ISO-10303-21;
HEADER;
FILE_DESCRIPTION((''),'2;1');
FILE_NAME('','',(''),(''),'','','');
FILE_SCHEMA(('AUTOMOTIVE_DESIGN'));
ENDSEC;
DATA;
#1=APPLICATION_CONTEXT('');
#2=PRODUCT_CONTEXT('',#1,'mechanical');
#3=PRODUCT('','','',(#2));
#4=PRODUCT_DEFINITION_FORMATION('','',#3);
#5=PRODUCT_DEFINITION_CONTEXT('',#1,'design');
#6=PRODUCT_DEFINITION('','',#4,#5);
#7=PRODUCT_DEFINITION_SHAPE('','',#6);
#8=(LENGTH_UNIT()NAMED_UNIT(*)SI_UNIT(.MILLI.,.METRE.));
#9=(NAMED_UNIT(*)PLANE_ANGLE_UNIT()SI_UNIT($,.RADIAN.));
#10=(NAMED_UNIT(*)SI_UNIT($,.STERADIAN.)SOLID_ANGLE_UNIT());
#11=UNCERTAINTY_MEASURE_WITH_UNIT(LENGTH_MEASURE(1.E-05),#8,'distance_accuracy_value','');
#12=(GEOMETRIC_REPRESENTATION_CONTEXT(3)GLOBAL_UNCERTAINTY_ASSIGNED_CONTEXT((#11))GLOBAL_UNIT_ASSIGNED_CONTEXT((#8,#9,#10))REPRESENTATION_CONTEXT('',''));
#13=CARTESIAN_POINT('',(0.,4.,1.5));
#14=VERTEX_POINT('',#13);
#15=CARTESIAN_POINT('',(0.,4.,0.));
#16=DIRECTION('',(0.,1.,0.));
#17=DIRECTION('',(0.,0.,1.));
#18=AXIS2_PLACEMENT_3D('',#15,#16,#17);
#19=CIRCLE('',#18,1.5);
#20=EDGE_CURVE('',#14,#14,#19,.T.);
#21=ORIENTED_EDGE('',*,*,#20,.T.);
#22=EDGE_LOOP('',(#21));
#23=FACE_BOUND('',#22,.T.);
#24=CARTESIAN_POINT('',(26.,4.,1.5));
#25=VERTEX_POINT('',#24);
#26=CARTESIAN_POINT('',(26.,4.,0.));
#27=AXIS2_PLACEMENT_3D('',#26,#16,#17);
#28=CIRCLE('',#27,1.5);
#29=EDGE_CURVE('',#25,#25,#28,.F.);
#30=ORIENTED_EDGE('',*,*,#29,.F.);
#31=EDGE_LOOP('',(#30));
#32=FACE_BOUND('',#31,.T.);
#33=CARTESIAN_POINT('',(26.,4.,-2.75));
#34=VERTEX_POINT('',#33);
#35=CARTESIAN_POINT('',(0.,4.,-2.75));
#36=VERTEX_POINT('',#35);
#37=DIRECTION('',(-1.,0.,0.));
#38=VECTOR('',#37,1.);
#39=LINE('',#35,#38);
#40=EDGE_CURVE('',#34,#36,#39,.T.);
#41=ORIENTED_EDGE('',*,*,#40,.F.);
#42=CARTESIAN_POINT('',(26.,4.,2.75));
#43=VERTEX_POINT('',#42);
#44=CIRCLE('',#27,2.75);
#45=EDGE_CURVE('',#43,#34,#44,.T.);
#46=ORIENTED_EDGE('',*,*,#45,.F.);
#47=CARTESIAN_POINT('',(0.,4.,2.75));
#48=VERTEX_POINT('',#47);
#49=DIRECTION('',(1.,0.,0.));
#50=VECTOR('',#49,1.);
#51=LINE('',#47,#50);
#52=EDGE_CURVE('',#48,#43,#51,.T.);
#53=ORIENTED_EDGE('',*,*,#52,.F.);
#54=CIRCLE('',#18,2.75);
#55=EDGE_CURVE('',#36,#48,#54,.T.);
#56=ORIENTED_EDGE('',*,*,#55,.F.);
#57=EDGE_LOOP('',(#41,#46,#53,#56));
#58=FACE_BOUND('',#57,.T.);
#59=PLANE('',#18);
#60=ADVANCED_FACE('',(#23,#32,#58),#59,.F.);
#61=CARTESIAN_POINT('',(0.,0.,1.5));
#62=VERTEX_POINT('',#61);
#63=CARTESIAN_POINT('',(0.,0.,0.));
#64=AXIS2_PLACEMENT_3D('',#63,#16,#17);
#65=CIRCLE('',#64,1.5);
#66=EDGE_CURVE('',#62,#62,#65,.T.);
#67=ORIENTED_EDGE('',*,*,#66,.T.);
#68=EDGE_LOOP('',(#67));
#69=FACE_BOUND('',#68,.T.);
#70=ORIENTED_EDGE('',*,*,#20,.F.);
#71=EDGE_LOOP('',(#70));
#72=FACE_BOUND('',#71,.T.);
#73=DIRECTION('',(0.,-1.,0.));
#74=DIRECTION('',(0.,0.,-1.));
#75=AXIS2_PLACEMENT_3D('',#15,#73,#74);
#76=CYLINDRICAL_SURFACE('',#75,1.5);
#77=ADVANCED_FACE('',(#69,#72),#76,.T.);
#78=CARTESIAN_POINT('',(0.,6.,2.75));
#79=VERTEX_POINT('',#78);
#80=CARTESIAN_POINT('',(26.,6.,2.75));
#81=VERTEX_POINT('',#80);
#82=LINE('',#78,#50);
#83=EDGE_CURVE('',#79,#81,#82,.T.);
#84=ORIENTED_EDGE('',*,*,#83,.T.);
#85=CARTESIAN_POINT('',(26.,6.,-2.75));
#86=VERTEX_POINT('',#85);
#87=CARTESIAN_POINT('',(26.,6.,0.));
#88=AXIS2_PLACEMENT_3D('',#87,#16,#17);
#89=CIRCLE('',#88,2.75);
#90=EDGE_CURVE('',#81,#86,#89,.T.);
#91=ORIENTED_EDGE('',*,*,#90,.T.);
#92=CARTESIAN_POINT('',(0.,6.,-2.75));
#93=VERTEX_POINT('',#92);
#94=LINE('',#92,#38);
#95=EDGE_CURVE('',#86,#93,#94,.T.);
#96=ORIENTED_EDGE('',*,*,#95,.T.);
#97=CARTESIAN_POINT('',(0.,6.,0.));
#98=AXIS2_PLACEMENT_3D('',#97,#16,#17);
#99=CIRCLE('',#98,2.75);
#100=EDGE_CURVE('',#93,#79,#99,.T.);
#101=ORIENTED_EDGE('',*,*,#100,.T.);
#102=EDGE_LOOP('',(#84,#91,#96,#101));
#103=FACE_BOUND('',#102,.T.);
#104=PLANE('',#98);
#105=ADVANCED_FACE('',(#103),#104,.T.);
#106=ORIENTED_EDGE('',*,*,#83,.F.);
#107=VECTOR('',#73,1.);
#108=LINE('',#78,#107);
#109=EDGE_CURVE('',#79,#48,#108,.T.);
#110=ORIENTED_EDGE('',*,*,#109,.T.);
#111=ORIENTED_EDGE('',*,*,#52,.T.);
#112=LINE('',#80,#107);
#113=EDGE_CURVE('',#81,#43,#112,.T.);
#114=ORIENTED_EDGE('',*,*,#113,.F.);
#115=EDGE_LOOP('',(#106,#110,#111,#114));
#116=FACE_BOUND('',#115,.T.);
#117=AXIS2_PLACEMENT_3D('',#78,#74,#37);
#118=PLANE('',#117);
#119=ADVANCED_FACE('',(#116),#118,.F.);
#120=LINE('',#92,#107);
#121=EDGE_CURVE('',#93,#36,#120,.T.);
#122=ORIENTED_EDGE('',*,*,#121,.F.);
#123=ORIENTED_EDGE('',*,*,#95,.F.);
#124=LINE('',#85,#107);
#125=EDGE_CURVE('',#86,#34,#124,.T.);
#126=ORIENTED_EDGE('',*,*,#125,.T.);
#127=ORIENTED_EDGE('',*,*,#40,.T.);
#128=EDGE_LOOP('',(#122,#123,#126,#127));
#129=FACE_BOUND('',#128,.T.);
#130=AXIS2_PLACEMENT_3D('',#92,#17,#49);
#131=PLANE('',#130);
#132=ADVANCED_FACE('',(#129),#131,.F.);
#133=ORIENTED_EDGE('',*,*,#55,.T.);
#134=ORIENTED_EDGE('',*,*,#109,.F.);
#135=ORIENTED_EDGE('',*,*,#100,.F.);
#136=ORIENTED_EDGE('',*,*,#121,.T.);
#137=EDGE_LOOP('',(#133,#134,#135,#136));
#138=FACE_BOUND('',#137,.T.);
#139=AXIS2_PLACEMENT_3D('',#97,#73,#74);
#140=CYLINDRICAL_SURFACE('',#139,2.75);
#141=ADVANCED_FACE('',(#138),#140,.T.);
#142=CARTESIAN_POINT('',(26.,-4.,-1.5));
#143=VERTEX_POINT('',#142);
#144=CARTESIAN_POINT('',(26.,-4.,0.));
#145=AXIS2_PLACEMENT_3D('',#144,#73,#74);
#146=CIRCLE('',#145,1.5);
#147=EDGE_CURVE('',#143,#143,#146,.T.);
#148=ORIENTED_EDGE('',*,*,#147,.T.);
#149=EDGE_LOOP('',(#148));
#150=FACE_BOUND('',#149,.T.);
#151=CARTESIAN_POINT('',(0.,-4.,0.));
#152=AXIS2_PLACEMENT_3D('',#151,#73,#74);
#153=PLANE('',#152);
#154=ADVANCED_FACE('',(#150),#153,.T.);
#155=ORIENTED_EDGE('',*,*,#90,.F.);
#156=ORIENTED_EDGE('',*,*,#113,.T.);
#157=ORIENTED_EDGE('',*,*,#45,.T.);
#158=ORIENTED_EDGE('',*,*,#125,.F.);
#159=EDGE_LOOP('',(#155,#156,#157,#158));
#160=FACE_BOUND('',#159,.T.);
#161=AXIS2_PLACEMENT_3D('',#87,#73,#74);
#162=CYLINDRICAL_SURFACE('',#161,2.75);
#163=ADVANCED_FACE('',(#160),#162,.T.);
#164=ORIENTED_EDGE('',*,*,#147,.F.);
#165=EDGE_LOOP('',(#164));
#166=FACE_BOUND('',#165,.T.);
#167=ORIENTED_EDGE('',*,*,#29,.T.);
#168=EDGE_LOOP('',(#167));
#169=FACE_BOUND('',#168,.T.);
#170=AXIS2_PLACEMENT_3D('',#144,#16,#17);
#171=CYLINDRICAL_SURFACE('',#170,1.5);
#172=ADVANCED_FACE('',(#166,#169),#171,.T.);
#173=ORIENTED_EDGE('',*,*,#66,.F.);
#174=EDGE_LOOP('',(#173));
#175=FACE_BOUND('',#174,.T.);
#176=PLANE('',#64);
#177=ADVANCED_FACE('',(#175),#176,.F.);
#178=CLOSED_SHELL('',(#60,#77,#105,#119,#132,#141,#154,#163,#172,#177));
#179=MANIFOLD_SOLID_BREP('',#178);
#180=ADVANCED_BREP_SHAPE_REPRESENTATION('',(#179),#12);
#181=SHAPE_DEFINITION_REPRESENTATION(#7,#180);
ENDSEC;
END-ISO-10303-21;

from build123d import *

# Parameters (mm, degrees)
SKETCH1_R           = 1.5
BOSS_EXTRUDE1_DEPTH = 4
BOSS_EXTRUDE2_DEPTH = 2
SKETCH3_R           = 1.5
BOSS_EXTRUDE3_DEPTH = 8


with BuildPart() as part:
    # Sketch1 → Boss-Extrude1 (new body)
    with BuildSketch(Plane(origin=(0, 0, 0), x_dir=(1, 0, 0), z_dir=(0, 1, 0))):
        with Locations(Location((0, 0, 0), (0, 0, 270))):
            Circle(SKETCH1_R)
    extrude(amount=BOSS_EXTRUDE1_DEPTH)

    # Sketch2 → Boss-Extrude2 (add)
    with BuildSketch(Plane(origin=(0, 4, 0), x_dir=(1, 0, 0), z_dir=(0, 1, 0))):
        with BuildLine():
            Line((0, 2.75), (26, 2.75))
            ThreePointArc((26, 2.75), (28.75, 0), (26, -2.75))
            Line((26, -2.75), (0, -2.75))
            ThreePointArc((0, -2.75), (-2.75, 0), (0, 2.75))
        make_face()
    extrude(amount=BOSS_EXTRUDE2_DEPTH)

    # Sketch3 → Boss-Extrude3 (add)
    with BuildSketch(Plane.XZ.offset(-4)):
        with Locations(Location((26, 0, 0), (0, 0, 90))):
            Circle(SKETCH3_R)
    extrude(amount=BOSS_EXTRUDE3_DEPTH)


solid = part.part
